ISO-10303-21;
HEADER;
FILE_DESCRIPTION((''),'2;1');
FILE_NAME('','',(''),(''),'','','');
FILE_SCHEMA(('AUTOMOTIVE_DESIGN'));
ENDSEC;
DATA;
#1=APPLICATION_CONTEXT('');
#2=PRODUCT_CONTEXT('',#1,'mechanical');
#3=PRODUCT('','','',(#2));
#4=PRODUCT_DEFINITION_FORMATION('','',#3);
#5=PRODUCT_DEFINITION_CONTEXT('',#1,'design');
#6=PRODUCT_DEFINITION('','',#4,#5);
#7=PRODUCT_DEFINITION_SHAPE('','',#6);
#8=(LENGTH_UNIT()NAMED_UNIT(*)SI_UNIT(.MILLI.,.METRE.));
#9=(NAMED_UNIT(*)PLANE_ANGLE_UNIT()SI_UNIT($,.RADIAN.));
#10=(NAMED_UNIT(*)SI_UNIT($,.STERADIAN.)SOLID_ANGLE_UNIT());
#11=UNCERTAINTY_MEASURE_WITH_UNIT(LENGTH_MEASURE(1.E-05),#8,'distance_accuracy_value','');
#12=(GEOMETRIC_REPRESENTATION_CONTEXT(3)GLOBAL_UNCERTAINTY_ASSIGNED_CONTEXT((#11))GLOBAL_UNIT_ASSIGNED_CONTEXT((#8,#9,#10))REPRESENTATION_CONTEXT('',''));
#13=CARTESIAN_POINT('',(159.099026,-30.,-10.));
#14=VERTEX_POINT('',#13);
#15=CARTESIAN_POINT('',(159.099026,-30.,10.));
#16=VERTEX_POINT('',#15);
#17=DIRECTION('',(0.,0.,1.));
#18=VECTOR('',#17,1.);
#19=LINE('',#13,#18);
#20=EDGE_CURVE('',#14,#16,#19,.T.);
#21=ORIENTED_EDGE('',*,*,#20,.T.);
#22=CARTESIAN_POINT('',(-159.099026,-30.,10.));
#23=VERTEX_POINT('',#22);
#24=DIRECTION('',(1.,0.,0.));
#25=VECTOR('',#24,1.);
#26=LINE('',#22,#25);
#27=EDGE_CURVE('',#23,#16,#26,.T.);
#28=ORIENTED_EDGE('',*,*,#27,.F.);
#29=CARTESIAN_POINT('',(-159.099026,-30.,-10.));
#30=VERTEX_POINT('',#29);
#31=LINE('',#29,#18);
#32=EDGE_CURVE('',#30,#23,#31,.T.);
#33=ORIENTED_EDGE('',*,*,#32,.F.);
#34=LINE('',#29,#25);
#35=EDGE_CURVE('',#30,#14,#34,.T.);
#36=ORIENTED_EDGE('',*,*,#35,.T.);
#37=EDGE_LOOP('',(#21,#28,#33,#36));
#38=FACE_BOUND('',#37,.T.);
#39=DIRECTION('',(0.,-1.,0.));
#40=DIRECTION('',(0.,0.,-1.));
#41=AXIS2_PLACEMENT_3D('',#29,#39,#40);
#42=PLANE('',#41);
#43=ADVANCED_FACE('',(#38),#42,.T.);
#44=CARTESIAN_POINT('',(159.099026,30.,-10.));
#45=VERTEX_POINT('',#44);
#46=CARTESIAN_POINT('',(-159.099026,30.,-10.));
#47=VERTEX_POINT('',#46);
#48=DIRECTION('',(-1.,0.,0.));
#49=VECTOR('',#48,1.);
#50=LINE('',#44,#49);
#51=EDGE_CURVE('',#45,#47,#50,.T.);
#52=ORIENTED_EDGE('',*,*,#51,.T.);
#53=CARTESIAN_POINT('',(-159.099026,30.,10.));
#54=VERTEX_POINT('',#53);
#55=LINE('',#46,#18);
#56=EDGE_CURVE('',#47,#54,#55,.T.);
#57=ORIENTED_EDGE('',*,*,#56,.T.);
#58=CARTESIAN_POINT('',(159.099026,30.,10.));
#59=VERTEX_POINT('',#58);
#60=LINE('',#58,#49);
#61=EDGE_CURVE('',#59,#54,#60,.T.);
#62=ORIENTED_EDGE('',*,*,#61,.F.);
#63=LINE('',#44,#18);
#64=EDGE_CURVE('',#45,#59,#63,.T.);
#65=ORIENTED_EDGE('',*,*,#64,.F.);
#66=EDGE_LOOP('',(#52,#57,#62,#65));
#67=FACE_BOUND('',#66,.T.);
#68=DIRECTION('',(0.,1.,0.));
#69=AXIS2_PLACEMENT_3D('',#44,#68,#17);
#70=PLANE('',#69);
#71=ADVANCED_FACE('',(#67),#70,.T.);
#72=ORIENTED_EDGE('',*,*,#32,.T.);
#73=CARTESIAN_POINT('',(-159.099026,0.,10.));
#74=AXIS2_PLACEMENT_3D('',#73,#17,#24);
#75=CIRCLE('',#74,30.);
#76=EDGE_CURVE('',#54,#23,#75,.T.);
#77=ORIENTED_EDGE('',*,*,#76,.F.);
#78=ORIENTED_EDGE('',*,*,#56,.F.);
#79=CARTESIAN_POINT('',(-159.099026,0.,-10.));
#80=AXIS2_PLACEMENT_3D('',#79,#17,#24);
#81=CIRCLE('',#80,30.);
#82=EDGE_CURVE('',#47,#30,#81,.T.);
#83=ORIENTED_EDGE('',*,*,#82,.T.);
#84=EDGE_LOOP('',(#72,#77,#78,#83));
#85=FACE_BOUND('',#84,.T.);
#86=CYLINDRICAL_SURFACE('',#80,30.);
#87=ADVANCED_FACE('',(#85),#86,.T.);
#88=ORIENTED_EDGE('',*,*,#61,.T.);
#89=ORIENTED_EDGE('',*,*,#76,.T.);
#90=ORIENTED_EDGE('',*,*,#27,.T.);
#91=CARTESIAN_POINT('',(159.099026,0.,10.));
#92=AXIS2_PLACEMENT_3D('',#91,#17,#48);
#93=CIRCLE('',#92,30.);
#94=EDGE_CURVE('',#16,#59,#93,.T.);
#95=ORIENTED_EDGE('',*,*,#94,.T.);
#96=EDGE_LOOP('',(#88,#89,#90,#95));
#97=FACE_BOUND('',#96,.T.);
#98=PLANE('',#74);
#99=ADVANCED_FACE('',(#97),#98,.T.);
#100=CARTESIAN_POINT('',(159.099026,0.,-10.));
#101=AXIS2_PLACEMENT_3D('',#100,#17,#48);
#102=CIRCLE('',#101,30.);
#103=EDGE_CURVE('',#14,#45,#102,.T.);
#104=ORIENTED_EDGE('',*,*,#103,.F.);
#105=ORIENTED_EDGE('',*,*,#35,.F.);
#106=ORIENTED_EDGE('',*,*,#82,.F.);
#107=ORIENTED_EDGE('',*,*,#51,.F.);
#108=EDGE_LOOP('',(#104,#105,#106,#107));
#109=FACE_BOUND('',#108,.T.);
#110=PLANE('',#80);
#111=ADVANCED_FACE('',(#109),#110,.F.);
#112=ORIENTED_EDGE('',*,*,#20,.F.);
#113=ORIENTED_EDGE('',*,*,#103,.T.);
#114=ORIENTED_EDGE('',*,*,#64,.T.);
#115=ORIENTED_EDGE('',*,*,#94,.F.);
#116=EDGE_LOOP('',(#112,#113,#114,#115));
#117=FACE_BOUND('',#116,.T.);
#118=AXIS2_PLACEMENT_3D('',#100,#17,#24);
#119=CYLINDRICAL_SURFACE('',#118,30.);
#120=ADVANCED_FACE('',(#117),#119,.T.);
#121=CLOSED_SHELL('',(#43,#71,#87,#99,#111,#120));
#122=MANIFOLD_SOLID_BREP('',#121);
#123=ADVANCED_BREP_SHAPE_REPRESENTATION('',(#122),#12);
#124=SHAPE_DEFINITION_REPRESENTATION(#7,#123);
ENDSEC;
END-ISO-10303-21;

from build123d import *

# Parameters (mm, degrees)
EXTRUDE_1_DEPTH      = 10
EXTRUDE_1_DEPTH_BACK = 10


with BuildPart() as part:
    # 草图1 → 凸台-拉伸1 (new, two sides: drawn at the far end of the back side and taken through both)
    with BuildSketch(Plane.XY.offset(-EXTRUDE_1_DEPTH_BACK)):
        with BuildLine():
            Line((159.099025767, 30), (-159.099025767, 30))
            ThreePointArc((-159.099025767, 30), (-189.099025767, 0), (-159.099025767, -30))
            Line((-159.099025767, -30), (159.099025767, -30))
            ThreePointArc((159.099025767, -30), (189.099025767, 0), (159.099025767, 30))
        make_face()
    extrude(amount=EXTRUDE_1_DEPTH + EXTRUDE_1_DEPTH_BACK)


solid = part.part
